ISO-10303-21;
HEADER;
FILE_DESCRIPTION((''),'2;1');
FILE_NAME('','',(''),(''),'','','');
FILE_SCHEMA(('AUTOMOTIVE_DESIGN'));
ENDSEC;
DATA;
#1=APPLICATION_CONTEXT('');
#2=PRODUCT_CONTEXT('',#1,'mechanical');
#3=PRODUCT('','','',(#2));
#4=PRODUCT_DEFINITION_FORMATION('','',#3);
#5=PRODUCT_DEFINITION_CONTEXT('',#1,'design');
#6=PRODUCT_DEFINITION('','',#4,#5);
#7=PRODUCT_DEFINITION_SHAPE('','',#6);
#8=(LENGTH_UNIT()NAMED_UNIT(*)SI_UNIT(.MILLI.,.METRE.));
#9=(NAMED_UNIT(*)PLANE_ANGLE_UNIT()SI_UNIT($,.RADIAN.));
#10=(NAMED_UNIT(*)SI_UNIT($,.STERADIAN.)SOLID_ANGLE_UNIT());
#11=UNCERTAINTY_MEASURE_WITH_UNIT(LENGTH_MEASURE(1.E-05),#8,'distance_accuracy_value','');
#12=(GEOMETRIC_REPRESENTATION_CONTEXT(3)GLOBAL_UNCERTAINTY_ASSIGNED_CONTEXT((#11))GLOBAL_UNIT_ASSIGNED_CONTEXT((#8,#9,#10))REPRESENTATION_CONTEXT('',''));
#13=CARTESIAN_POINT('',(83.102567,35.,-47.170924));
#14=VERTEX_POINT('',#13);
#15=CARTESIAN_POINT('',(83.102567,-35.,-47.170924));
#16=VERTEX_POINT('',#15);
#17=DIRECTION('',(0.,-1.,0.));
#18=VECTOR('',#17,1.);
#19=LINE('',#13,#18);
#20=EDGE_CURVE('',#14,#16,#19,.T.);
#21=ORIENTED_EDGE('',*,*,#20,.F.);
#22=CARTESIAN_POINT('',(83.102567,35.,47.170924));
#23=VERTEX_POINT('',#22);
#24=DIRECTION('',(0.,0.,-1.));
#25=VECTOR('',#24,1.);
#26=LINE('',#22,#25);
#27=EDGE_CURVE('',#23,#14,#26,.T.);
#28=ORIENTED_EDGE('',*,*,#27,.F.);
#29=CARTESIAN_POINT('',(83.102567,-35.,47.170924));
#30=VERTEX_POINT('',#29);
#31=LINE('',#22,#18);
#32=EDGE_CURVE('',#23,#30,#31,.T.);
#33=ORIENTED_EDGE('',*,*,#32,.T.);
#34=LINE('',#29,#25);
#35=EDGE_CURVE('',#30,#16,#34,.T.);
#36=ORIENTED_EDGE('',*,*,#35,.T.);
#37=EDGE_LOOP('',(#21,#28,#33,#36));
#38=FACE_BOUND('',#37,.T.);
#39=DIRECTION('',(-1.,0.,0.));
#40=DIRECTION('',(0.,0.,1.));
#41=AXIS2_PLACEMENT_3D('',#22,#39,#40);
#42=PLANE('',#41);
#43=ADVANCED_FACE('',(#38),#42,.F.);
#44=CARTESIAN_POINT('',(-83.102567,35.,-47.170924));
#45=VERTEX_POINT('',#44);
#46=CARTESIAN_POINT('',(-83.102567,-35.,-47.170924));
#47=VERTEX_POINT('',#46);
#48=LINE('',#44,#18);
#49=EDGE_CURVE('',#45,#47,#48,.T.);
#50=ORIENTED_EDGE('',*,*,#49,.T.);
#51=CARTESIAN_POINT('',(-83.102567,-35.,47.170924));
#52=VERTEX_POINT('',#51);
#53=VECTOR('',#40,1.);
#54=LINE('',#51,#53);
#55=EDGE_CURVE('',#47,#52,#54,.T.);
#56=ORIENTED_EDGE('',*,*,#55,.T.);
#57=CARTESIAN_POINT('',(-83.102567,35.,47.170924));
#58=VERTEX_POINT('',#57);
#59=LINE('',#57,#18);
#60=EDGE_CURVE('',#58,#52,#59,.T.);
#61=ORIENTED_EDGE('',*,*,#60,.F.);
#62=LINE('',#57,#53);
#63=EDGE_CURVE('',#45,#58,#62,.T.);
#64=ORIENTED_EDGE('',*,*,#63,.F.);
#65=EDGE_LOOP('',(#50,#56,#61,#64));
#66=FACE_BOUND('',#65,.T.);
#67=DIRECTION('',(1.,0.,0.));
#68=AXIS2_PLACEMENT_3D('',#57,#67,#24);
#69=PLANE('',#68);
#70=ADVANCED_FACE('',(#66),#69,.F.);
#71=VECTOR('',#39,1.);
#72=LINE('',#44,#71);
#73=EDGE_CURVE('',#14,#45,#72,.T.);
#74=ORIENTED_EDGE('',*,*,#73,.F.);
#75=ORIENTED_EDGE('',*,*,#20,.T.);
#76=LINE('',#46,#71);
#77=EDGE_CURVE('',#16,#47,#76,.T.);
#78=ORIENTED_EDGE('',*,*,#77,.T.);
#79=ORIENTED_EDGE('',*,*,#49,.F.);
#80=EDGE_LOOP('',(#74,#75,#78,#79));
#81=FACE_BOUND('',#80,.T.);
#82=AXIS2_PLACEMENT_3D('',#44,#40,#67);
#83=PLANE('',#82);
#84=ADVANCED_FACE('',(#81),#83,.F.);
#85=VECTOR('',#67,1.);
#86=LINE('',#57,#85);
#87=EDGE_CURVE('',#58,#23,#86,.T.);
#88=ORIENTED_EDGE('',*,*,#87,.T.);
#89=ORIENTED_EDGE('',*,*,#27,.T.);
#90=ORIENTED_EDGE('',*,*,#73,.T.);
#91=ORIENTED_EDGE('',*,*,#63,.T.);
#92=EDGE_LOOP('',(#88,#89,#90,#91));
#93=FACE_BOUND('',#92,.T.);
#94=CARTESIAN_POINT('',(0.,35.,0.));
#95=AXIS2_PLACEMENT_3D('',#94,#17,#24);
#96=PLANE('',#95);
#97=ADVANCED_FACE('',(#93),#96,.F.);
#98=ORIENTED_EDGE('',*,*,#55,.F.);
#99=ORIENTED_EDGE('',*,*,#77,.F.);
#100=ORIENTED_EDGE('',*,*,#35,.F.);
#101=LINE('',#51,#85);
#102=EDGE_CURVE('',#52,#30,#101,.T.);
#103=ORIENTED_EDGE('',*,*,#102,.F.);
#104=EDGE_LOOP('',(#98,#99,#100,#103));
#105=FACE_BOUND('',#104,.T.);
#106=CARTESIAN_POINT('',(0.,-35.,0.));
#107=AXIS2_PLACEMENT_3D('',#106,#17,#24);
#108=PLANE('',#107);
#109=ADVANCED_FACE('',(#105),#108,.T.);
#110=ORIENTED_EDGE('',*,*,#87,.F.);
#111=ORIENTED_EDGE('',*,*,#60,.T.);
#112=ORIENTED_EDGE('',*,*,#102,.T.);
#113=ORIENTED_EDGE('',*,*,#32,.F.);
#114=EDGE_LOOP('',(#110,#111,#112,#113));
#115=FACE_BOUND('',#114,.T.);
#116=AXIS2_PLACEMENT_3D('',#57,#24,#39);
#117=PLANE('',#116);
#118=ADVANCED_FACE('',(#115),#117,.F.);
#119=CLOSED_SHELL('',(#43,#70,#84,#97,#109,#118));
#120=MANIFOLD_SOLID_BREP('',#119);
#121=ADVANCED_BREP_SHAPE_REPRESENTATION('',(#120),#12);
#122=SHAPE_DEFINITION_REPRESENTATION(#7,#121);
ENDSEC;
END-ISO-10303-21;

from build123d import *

# Parameters (mm, degrees)
SKETCH1_W           = 166.205133434
SKETCH1_H           = 94.34184828
BOSS_EXTRUDE1_DEPTH = 35


with BuildPart() as part:
    # Sketch1 → Boss-Extrude1 (new body, symmetric)
    with BuildSketch(Plane(origin=(0, 0, 0), x_dir=(1, 0, 0), z_dir=(0, 1, 0))):
        Rectangle(SKETCH1_W, SKETCH1_H)
    extrude(amount=BOSS_EXTRUDE1_DEPTH, both=True)


solid = part.part
